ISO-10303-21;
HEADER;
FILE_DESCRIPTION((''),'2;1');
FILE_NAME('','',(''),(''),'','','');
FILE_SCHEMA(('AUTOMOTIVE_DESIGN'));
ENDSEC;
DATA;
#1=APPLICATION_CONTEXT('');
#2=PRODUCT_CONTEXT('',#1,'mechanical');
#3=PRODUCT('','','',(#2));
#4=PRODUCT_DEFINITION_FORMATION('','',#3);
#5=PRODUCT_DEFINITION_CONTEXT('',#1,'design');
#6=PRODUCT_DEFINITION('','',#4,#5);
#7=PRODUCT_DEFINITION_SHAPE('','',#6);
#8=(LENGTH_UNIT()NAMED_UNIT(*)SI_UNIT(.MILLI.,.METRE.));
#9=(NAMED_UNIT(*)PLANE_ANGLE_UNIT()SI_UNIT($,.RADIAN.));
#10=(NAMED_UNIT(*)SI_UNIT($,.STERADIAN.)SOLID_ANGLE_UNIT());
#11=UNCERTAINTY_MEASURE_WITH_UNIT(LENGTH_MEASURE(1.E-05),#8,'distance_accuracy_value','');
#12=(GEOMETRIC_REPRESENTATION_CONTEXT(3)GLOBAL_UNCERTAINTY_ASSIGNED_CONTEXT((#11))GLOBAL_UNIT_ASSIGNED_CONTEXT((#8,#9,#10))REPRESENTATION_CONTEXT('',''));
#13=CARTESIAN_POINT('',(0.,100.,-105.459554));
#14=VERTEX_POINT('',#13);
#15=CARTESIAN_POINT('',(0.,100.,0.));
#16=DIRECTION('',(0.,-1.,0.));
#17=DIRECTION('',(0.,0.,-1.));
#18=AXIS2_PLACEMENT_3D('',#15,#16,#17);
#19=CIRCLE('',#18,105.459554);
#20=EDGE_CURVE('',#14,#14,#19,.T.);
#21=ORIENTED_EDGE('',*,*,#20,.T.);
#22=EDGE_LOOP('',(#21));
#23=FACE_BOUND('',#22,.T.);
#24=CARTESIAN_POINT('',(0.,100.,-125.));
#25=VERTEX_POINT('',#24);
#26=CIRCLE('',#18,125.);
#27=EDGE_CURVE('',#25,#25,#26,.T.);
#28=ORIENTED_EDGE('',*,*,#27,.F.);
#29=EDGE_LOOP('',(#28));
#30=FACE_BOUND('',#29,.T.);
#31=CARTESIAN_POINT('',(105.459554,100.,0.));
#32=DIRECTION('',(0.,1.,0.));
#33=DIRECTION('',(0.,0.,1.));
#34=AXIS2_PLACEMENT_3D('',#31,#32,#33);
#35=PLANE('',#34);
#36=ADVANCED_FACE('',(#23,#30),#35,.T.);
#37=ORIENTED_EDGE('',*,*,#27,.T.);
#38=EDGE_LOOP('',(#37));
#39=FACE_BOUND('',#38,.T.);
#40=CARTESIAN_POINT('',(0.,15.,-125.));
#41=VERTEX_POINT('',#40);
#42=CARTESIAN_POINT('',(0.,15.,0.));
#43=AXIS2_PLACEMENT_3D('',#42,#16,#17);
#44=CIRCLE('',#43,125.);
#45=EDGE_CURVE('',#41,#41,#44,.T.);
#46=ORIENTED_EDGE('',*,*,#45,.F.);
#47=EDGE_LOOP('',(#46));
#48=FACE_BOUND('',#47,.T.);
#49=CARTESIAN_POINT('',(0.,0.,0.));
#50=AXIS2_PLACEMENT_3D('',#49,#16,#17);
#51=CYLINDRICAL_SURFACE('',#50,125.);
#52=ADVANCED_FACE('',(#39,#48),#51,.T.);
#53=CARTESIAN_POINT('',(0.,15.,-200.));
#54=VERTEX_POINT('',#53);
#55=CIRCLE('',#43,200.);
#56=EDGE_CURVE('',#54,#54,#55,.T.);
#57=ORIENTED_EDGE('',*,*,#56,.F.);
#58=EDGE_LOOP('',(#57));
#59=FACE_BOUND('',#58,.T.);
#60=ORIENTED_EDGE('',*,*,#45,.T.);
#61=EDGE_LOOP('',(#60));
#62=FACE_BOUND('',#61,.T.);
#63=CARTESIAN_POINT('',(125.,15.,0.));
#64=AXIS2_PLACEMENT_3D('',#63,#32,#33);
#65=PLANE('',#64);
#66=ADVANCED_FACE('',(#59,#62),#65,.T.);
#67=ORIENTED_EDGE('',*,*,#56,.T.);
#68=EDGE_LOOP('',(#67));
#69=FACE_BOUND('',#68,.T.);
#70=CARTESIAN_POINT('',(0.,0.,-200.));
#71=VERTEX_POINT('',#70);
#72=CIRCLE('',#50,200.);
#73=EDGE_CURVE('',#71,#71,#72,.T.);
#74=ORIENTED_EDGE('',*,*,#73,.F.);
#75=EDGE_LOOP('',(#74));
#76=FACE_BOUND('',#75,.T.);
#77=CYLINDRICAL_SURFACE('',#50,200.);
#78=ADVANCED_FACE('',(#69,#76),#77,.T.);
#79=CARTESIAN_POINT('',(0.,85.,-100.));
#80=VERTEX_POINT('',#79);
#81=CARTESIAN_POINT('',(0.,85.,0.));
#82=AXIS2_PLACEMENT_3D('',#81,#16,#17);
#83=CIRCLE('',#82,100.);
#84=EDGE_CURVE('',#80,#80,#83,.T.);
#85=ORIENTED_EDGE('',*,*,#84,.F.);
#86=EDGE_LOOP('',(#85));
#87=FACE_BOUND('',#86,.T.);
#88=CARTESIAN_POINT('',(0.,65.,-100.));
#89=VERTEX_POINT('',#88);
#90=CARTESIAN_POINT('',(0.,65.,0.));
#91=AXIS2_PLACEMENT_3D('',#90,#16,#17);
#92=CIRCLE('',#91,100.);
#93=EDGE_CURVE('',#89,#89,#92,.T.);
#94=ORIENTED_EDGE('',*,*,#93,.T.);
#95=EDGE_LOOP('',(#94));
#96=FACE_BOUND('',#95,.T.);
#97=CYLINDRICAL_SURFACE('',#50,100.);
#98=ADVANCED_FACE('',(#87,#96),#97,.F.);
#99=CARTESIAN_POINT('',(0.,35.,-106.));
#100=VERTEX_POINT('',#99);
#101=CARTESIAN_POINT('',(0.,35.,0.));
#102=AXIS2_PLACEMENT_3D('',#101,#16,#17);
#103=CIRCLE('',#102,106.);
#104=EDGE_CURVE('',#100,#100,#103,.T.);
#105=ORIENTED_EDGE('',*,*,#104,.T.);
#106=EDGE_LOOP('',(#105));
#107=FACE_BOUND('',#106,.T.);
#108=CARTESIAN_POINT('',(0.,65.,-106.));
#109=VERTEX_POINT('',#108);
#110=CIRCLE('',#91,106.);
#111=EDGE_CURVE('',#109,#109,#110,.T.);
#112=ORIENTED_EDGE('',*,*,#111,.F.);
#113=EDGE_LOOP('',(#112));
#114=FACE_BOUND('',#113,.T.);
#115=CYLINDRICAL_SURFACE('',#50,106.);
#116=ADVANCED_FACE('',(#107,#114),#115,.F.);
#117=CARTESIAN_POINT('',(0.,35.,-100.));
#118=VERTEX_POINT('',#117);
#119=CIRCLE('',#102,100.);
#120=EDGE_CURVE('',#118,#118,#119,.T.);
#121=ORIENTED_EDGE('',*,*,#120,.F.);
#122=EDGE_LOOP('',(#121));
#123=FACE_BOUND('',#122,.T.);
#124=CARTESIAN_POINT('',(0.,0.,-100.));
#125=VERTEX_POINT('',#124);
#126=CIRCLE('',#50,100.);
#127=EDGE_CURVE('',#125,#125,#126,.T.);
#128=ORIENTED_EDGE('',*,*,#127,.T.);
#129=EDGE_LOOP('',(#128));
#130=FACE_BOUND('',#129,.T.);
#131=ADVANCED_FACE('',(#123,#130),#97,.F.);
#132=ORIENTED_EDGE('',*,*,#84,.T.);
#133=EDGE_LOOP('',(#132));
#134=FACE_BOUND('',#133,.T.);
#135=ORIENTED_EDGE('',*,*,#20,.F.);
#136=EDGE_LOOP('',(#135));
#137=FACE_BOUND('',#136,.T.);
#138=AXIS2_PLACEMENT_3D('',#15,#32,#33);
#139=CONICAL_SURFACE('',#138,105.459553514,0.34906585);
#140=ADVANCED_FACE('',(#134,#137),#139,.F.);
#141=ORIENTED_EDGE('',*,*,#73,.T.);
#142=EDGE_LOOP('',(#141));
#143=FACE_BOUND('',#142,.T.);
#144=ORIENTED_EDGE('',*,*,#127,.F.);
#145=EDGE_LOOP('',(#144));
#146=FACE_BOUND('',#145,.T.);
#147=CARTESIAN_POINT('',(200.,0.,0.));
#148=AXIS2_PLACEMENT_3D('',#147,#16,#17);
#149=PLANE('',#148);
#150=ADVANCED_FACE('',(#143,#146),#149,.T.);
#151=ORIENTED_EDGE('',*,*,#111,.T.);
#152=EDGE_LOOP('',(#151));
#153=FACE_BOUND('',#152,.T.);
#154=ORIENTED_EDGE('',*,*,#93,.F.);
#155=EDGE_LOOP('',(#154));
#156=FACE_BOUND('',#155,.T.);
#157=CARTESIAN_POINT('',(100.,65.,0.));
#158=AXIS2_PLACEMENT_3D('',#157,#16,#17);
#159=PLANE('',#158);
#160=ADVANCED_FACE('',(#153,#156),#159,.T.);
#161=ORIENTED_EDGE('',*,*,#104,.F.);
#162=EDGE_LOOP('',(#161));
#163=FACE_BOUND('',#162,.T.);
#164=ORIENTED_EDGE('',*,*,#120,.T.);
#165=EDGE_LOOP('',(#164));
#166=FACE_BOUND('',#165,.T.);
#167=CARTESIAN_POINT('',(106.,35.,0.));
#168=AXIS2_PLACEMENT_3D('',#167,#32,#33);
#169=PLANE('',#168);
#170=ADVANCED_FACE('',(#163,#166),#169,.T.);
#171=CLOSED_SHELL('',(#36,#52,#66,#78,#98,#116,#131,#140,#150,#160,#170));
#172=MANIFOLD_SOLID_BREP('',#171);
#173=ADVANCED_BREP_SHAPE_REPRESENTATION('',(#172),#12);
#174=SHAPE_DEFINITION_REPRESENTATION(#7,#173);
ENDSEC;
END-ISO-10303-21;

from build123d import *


with BuildPart() as part:
    # Esboço1 → Revolução1 (revolve)
    with BuildSketch(Plane.XY):
        Polygon((100, 0), (100, 35), (106, 35), (106, 65), (100, 65), (100, 85), (105.459553514, 100), (125, 100), (125, 15), (200, 15), (200, 0), align=None)
    revolve(axis=Axis((0, 0, 0), (0, 1, 0)))


solid = part.part
